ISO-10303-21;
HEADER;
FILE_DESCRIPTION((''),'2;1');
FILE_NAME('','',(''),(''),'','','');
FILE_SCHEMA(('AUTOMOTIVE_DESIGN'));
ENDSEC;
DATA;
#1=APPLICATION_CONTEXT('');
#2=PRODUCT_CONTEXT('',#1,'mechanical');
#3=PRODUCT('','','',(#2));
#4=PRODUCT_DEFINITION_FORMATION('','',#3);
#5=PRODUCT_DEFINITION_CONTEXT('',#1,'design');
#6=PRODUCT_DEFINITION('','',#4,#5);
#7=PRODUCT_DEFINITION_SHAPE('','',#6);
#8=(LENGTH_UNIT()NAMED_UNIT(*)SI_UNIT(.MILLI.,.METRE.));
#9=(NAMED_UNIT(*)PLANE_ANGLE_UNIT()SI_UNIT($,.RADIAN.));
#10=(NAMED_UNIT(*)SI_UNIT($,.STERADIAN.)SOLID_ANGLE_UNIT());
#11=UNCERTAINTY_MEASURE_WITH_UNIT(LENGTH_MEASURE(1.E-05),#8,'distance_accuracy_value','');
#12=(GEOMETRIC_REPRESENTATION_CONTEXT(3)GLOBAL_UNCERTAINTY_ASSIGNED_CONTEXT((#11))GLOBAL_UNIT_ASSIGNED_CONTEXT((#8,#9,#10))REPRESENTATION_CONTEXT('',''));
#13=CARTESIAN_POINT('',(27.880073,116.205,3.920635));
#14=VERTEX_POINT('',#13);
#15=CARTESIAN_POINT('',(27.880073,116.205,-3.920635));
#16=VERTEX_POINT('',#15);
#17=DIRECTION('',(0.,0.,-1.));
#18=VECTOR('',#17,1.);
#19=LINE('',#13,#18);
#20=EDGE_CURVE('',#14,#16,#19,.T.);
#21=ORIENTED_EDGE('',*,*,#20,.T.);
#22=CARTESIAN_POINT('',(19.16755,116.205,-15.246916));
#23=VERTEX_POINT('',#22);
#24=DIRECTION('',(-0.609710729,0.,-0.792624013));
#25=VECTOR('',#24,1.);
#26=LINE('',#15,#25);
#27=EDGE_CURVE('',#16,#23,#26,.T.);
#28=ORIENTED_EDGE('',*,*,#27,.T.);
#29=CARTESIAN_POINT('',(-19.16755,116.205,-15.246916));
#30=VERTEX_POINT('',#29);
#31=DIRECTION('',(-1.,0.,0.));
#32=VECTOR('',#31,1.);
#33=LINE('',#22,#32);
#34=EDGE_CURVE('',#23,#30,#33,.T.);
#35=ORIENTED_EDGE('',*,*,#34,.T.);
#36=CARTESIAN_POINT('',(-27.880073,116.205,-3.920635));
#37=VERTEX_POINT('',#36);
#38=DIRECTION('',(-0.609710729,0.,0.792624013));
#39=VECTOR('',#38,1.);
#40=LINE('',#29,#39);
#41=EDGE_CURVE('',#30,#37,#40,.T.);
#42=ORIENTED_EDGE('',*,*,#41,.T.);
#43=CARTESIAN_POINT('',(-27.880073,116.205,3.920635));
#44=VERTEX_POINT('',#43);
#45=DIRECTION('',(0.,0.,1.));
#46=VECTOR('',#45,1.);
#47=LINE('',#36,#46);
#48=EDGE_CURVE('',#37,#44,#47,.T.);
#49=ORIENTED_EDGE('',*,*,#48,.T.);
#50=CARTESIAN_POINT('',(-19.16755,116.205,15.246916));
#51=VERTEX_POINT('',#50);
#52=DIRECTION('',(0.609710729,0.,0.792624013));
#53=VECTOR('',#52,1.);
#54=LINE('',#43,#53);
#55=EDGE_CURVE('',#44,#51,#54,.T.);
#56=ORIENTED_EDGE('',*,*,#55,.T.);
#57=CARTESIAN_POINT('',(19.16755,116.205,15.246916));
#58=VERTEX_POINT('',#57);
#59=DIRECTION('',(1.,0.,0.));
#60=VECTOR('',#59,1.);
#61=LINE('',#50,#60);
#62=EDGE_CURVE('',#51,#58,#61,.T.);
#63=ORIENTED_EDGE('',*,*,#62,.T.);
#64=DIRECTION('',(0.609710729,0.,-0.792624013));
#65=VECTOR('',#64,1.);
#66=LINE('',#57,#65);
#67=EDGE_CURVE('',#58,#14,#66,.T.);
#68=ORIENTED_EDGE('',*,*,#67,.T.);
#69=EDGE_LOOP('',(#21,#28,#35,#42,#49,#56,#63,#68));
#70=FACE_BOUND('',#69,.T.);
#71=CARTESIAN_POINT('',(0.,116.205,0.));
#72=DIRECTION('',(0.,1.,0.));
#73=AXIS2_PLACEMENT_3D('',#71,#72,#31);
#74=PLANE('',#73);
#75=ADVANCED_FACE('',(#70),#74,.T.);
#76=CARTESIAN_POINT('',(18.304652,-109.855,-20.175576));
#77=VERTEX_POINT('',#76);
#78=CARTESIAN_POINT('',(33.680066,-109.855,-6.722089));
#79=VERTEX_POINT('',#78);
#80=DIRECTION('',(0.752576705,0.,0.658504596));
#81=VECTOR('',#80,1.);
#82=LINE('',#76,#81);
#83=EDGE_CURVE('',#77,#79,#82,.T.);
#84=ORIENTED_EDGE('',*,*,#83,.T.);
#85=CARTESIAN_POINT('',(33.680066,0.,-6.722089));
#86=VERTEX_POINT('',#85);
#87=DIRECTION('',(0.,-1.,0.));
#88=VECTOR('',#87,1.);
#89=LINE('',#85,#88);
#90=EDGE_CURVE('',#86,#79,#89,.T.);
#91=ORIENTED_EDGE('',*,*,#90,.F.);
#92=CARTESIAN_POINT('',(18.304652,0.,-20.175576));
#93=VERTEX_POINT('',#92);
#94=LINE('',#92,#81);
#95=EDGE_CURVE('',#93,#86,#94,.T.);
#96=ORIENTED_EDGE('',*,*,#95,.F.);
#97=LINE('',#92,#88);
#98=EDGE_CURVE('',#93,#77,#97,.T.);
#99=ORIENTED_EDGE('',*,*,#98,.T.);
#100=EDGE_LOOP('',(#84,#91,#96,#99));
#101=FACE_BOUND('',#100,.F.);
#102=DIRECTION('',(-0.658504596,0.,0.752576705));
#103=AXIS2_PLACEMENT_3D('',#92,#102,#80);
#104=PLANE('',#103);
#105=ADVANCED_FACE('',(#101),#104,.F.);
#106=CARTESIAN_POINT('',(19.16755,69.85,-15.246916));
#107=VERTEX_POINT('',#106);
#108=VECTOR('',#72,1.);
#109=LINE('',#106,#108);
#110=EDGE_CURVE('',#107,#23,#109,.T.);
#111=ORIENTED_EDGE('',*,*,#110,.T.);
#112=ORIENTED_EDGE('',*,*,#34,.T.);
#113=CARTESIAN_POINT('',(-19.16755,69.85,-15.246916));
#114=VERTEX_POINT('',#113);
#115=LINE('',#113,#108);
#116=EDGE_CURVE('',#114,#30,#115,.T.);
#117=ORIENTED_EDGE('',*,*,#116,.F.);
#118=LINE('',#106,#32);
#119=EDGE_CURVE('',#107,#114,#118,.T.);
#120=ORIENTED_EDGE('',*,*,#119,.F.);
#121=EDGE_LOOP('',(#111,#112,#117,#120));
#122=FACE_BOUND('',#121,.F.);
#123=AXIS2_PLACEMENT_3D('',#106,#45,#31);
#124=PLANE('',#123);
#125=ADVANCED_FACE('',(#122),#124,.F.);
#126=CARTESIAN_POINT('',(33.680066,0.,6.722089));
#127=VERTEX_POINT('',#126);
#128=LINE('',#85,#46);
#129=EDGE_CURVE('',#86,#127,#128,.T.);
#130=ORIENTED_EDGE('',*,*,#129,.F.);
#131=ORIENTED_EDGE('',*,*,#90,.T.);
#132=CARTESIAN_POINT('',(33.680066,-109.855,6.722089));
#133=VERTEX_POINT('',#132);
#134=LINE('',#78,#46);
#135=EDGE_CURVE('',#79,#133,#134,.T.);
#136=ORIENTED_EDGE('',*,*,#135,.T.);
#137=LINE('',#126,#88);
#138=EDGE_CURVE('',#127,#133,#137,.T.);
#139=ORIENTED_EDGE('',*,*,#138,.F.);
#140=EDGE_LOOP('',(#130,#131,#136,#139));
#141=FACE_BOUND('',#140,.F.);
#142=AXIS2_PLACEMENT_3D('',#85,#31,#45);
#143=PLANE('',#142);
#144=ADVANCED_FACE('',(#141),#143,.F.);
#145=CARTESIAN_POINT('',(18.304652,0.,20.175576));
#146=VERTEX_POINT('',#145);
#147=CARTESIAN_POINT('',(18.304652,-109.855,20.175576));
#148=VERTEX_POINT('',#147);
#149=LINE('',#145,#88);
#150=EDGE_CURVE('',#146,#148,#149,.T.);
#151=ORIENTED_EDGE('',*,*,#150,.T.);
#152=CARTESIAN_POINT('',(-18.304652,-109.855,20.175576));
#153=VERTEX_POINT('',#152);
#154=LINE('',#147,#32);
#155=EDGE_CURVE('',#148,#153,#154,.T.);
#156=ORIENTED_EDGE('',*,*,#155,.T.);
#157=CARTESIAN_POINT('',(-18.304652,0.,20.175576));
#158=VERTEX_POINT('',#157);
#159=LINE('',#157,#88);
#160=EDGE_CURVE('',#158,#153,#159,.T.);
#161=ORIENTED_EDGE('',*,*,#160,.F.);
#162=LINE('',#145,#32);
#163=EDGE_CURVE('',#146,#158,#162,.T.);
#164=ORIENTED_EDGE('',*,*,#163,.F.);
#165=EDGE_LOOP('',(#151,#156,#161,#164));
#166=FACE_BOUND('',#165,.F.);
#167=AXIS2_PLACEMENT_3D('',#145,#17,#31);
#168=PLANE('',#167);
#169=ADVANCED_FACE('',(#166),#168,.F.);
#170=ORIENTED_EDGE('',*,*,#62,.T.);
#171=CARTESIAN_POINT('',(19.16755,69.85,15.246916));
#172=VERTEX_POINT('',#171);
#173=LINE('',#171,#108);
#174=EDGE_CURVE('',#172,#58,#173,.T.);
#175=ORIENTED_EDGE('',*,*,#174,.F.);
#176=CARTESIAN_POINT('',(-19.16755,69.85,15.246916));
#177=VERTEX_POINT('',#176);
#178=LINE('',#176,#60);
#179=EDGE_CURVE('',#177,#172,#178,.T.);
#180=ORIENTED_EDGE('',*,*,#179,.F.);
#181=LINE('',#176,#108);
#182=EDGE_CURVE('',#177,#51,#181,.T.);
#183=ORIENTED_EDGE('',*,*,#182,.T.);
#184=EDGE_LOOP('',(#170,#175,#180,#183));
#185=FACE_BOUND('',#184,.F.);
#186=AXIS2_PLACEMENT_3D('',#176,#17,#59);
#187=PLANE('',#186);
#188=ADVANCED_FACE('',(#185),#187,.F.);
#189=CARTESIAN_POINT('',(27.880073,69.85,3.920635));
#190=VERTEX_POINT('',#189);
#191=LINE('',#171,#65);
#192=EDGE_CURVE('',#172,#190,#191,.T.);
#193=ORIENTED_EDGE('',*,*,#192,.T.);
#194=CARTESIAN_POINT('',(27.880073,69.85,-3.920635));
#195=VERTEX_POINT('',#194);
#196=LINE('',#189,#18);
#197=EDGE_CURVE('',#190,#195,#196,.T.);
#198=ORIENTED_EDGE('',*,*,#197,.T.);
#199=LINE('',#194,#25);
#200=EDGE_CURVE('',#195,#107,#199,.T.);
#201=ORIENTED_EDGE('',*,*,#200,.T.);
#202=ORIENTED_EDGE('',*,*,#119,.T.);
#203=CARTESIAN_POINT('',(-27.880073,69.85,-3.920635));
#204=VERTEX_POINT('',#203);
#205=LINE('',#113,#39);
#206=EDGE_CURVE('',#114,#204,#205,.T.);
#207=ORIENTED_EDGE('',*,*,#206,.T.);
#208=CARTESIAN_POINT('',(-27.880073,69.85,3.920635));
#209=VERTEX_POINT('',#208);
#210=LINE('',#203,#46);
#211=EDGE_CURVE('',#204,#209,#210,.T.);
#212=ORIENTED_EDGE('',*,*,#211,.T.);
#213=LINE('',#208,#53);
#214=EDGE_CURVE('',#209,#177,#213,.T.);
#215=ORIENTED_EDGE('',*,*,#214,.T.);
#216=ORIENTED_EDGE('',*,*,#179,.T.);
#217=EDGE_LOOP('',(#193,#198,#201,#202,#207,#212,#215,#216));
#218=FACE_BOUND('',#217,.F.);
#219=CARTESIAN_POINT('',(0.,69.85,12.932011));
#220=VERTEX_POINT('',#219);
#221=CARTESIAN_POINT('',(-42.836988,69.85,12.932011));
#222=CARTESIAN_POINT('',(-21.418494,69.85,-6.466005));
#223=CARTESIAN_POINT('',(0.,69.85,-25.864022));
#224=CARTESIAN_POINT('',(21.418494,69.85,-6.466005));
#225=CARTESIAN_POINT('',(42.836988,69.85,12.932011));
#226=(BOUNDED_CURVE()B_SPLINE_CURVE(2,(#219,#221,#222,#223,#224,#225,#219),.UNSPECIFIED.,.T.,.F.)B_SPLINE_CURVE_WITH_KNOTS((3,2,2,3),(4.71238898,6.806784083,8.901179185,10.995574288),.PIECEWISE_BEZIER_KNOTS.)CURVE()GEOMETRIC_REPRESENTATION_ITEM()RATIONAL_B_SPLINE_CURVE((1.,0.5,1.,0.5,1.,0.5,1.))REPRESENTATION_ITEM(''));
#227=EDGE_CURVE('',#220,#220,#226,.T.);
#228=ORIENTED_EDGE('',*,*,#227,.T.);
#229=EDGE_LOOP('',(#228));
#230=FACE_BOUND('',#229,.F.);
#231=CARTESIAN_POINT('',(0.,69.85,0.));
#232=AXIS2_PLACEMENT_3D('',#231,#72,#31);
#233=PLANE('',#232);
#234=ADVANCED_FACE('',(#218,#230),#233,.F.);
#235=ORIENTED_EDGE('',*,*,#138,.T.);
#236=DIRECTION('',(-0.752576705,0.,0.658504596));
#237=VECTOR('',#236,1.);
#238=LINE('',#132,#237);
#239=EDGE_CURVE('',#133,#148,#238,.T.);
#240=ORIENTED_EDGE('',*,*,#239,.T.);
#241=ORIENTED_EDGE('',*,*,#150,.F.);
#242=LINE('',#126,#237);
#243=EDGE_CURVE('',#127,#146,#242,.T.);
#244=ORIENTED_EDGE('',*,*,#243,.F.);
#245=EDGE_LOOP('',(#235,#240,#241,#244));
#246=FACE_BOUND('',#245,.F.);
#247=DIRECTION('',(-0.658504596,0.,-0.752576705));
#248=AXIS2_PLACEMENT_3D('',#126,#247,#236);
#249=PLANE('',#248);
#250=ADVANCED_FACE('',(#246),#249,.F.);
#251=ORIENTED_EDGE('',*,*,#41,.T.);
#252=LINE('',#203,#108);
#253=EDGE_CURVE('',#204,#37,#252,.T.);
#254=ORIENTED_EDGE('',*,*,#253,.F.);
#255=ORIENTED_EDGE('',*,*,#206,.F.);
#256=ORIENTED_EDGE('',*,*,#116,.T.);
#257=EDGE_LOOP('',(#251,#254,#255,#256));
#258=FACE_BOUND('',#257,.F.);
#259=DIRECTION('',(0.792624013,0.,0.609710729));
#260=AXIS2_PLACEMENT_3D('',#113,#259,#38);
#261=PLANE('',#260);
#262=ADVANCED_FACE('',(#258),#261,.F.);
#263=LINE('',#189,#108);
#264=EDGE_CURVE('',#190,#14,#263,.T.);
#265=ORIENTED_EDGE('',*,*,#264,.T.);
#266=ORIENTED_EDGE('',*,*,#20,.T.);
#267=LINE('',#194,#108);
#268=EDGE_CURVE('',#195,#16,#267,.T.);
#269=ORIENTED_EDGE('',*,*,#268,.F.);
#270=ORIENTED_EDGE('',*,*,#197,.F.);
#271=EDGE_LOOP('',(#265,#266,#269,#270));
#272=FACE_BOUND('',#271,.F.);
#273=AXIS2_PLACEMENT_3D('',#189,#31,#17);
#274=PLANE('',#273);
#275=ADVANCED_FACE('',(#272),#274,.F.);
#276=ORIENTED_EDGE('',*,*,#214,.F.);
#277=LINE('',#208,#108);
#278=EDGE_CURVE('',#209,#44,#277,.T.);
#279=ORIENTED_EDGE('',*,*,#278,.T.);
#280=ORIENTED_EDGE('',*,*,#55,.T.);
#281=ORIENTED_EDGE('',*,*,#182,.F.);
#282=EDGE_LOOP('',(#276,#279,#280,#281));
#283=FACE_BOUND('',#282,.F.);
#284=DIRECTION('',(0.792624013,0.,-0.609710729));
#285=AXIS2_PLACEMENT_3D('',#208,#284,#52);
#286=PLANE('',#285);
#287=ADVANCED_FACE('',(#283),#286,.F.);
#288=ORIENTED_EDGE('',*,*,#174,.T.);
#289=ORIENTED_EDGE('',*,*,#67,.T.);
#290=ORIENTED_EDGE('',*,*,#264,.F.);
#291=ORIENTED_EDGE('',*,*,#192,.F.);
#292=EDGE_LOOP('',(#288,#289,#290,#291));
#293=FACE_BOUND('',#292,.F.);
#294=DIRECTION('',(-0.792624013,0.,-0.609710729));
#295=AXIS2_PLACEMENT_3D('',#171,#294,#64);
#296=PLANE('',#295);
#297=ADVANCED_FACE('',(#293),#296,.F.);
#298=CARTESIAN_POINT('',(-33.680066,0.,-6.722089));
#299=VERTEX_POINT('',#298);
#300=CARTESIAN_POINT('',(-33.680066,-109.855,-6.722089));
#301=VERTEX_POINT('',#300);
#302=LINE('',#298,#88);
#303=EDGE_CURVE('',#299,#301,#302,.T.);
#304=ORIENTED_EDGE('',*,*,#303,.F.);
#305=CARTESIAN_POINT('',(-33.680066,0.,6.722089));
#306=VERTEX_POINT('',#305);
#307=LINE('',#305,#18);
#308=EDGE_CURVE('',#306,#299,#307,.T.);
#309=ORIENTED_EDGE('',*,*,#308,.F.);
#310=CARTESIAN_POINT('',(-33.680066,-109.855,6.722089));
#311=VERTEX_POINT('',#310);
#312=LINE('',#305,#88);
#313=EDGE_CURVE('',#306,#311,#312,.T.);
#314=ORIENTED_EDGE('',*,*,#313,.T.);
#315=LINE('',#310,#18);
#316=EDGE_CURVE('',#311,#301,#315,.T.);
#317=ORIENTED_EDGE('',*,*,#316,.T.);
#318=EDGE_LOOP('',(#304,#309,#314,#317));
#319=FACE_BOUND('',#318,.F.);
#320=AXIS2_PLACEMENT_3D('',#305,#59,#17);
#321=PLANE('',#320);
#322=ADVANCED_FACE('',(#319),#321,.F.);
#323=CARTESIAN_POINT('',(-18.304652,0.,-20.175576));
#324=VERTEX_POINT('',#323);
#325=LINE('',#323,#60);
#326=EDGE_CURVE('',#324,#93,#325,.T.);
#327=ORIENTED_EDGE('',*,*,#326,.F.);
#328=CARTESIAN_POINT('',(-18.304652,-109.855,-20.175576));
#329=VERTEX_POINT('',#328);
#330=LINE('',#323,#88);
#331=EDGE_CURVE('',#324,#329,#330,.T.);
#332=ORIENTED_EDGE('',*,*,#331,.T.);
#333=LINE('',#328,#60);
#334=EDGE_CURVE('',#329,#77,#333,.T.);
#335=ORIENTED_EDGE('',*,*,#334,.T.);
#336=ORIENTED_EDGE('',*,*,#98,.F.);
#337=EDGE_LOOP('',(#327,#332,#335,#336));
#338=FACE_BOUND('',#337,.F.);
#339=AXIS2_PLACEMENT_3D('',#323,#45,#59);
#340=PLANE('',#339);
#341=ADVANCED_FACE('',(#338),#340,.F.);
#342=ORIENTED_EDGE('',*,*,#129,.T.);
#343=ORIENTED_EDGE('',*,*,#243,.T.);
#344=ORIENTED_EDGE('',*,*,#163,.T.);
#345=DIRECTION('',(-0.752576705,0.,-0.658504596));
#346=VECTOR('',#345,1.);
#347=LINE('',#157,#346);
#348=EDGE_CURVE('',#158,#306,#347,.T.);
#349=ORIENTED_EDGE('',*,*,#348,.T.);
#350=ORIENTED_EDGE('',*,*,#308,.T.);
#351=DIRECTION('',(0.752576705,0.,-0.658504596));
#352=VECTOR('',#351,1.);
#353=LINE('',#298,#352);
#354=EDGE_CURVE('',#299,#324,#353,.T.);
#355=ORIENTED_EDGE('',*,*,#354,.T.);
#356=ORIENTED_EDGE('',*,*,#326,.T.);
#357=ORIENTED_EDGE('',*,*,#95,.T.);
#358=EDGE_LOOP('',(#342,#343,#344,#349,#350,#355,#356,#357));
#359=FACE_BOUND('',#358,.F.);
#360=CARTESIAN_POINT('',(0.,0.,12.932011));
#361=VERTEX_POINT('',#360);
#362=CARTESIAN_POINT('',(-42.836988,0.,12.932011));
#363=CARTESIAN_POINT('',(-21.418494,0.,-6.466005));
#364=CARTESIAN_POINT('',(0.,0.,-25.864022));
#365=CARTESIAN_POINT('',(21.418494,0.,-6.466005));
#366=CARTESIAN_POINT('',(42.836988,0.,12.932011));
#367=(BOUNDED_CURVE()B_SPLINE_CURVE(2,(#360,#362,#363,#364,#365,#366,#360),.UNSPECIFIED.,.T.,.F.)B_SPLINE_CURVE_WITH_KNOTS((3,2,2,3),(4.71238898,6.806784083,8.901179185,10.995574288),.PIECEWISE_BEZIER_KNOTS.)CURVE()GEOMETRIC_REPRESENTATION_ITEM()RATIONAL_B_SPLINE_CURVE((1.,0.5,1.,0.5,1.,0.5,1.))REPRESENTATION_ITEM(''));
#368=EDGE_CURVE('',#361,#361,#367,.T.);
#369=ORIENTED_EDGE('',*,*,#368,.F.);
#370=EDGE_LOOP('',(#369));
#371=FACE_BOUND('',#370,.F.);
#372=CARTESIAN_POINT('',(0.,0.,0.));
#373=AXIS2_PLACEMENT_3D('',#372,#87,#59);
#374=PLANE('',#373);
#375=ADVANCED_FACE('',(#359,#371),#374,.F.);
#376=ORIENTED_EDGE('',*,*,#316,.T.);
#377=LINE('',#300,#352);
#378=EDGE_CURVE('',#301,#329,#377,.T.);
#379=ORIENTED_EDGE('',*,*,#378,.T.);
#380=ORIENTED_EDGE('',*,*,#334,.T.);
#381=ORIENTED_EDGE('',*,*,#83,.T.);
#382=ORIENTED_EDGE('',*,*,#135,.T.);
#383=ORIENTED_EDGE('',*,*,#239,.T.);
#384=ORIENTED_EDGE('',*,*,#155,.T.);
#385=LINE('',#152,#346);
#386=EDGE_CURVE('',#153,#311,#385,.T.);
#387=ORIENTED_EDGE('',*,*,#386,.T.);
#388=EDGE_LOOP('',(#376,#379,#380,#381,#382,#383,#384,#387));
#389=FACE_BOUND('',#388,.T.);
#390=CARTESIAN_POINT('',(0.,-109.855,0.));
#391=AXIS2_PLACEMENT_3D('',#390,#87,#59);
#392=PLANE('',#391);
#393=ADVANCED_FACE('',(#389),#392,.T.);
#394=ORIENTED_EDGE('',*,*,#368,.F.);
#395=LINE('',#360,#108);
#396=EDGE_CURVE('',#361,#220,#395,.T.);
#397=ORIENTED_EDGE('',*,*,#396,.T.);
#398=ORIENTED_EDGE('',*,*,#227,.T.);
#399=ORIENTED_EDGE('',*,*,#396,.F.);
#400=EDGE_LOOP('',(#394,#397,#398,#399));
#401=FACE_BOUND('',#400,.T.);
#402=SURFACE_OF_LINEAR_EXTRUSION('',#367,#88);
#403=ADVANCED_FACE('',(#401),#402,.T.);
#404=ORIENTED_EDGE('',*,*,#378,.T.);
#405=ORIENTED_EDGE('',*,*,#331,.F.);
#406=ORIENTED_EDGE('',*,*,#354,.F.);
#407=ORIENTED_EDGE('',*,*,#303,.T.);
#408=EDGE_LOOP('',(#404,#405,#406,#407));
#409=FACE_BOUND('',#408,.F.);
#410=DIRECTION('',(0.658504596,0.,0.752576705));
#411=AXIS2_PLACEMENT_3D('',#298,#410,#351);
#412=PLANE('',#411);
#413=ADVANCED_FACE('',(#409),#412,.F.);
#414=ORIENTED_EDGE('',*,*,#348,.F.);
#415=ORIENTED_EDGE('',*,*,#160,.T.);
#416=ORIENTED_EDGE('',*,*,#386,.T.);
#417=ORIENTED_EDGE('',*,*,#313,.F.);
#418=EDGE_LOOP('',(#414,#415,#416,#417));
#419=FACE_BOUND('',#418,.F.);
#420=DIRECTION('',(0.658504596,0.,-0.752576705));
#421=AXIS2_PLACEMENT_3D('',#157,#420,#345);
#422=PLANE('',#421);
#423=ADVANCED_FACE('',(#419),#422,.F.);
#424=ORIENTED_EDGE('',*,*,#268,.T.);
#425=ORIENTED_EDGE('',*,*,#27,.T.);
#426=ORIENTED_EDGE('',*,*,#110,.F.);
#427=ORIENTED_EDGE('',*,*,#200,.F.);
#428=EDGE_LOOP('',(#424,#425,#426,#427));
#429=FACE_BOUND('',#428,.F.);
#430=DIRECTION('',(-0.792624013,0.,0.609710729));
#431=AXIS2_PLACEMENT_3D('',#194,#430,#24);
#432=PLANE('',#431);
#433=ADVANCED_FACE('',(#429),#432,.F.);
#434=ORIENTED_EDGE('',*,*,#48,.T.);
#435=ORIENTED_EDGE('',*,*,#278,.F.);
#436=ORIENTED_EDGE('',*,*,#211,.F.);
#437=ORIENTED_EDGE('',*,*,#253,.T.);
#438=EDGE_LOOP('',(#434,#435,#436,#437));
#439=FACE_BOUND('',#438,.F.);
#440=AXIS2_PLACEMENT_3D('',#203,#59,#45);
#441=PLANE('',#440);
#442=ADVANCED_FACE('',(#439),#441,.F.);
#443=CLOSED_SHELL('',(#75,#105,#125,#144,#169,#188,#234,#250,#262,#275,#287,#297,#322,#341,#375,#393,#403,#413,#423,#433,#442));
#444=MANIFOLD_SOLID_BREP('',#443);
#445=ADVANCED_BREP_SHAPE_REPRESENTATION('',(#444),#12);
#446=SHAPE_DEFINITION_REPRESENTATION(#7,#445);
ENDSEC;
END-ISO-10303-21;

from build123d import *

# Parameters (mm, degrees)
F2_DEPTH = 109.855
F3_DEPTH = 69.85
F6_DEPTH = 46.355


with BuildPart() as f2:
    # F0 (on Front) → F2 (new body)
    with BuildSketch(Plane.XZ):
        Polygon((18.3046516031, 20.17557621), (-18.3046516031, 20.17557621), (-33.6800664663, 6.722088622), (-33.6800664663, -6.722088622), (-18.3046516031, -20.17557621), (18.3046516031, -20.17557621), (33.6800664663, -6.722088622), (33.6800664663, 6.722088622), align=None)
    extrude(amount=F2_DEPTH)

    # F1 (on Front) → F3 (join)
    with BuildSketch(Plane.XZ):
        with BuildLine():
            add(Edge.make_bspline(
                [(0, 12.9320109263), (-42.8369876382, 12.9320109263), (-21.4184938191, -6.4660054632), (0, -25.8640218526), (21.4184938191, -6.4660054632), (42.8369876382, 12.9320109263), (0, 12.9320109263)],
                knots=[4.7123889804, 4.7123889804, 4.7123889804, 6.8067840828, 6.8067840828, 8.9011791852, 8.9011791852, 10.9955742876, 10.9955742876, 10.9955742876], degree=2, weights=[1, 0.5, 1, 0.5, 1, 0.5, 1]))
        make_face()
    extrude(amount=-F3_DEPTH)

    # F5 (on offset) → F6 (join)
    with BuildSketch(Plane(origin=(0, 69.85, 0), x_dir=(-1, 0, 0), z_dir=(0, 1, 0))):
        Polygon((-27.8800725937, 3.9206352085), (-27.8800725937, 0), (-27.8800725937, -3.9206352085), (-19.1675499082, -15.246915631), (0, -15.246915631), (19.1675499082, -15.246915631), (27.8800725937, -3.9206352085), (27.8800725937, 3.9206352085), (19.1675499082, 15.246915631), (0, 15.246915631), (-19.1675499082, 15.246915631), align=None)
    extrude(amount=F6_DEPTH)


solid = f2.part
